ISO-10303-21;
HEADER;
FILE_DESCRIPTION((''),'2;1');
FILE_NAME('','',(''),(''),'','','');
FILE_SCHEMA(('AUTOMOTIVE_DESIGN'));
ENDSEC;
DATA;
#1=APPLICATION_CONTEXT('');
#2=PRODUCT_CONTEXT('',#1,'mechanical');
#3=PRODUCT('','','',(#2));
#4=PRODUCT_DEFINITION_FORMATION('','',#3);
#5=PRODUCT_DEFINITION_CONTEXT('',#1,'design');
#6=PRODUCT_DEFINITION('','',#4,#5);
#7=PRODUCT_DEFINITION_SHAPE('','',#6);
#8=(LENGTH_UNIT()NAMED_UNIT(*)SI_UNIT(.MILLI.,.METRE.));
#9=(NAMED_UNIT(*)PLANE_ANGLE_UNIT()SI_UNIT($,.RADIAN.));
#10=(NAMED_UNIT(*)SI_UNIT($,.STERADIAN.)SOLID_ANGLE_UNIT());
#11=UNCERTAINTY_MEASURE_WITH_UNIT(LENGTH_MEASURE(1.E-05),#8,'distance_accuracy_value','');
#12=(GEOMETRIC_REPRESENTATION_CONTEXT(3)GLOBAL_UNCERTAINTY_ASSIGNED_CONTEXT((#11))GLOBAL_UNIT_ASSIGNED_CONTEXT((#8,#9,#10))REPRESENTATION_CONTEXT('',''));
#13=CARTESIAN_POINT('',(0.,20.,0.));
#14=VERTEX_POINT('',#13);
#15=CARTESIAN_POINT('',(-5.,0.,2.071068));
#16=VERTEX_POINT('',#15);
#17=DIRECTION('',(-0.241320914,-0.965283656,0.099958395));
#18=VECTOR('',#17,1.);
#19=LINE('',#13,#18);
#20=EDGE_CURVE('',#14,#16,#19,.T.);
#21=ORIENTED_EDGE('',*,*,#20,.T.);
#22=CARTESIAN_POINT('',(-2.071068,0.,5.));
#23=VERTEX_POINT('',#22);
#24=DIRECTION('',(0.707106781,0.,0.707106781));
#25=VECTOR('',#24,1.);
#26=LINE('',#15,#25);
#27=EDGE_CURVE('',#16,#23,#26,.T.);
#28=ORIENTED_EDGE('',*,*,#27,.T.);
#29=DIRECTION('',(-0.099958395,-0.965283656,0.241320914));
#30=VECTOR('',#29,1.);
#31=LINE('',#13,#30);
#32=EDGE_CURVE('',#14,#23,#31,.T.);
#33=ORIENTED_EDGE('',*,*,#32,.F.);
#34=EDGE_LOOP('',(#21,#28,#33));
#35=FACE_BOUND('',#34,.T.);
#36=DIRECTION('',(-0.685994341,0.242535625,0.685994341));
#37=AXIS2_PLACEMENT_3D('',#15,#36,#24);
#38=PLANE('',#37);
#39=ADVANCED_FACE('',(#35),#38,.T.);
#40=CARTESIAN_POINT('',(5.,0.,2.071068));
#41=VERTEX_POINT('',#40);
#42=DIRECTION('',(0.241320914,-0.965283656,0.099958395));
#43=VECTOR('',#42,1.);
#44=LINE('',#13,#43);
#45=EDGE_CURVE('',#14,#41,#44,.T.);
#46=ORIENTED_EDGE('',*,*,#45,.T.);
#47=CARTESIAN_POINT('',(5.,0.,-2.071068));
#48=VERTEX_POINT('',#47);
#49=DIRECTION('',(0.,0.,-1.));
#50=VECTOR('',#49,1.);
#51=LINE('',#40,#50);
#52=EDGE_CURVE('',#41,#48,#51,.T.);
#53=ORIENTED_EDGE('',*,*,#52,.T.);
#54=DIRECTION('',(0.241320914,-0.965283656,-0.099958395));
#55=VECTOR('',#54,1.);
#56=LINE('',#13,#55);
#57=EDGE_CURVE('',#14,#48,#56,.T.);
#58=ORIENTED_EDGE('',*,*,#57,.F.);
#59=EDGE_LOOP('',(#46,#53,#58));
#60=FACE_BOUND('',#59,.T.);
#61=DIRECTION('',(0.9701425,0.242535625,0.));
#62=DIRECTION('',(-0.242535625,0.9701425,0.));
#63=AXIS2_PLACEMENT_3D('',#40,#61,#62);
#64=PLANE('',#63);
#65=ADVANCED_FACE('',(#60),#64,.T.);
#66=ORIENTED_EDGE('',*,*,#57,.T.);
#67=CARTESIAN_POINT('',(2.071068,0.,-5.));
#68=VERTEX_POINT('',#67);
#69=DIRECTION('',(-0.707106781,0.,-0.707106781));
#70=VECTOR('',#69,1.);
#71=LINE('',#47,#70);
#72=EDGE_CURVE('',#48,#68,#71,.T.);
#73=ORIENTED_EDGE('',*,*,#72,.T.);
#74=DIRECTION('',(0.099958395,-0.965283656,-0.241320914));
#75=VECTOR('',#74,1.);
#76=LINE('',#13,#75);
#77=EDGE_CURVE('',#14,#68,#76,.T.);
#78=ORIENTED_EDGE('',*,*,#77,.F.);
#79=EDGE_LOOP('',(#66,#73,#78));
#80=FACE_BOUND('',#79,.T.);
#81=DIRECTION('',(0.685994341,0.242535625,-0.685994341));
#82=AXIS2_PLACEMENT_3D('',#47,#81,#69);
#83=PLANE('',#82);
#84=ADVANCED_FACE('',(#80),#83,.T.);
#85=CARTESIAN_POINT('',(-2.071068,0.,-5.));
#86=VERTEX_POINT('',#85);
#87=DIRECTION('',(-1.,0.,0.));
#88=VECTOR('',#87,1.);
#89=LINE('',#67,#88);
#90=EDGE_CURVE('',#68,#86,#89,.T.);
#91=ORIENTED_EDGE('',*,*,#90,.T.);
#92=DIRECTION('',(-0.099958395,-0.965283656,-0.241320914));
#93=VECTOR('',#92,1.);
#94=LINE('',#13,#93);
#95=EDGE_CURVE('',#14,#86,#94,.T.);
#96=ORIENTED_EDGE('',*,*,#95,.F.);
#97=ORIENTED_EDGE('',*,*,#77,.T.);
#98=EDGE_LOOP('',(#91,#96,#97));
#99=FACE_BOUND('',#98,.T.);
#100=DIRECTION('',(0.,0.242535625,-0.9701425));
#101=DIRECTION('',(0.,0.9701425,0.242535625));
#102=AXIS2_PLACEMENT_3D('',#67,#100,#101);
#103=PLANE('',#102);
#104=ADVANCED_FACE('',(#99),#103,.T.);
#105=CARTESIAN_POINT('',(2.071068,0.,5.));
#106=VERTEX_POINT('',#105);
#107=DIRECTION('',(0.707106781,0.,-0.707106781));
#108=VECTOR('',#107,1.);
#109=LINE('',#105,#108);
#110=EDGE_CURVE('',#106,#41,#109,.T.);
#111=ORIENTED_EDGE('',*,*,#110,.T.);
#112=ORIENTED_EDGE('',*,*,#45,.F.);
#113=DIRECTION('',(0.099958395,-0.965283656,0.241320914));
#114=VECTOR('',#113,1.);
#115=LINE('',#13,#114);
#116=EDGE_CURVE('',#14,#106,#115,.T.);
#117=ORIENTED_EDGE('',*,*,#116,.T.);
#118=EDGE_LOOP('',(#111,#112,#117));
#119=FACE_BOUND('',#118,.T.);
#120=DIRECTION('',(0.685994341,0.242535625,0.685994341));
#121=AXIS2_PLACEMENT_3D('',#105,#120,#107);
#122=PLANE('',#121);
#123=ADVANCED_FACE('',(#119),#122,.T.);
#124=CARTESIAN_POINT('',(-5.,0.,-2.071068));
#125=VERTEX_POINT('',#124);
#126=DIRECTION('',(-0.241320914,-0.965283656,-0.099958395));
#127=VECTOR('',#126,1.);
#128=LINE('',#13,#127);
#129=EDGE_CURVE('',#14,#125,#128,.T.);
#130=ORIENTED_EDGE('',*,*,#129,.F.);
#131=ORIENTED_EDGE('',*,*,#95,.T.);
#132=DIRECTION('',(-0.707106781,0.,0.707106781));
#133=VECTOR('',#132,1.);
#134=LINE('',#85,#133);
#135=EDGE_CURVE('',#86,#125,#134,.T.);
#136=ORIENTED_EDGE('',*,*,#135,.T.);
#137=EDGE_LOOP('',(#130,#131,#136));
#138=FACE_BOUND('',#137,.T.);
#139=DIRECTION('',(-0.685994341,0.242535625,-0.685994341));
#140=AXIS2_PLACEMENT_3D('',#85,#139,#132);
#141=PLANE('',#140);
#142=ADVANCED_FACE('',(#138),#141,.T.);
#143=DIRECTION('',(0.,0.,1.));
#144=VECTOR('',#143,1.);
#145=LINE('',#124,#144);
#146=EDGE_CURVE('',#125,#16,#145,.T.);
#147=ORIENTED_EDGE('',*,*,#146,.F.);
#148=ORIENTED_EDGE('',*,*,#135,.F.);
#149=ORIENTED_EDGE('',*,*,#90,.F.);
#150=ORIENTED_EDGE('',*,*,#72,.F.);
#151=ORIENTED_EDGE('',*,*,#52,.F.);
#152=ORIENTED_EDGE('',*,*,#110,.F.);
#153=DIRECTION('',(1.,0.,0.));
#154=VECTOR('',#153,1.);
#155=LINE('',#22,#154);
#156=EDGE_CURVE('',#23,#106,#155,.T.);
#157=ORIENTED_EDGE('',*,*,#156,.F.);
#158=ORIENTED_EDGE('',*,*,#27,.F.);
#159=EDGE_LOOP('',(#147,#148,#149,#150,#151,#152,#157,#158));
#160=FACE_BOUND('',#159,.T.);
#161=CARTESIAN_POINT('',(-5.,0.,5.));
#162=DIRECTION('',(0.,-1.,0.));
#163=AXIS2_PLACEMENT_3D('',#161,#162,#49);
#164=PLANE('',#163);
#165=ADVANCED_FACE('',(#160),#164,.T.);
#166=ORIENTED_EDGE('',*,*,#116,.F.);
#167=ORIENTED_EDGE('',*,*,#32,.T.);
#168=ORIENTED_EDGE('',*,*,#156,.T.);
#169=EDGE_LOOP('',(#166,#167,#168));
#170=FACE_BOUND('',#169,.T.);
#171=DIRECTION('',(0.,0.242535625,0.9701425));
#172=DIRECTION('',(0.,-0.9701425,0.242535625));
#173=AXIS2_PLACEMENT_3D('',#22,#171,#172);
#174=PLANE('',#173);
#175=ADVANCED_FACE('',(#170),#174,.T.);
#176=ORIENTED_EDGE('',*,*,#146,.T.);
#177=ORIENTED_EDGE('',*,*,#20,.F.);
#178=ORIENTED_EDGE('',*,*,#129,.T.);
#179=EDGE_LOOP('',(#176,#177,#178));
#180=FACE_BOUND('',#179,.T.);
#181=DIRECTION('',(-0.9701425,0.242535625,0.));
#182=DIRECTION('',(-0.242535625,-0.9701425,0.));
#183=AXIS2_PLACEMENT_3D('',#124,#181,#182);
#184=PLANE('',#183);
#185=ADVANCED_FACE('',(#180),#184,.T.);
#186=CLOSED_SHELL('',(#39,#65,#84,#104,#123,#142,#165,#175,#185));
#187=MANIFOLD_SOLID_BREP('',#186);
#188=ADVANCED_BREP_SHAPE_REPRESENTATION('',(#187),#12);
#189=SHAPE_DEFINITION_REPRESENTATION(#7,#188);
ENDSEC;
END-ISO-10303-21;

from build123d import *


with BuildPart() as part:
    # Sketch1 → Loft1 section 0
    with BuildSketch(Plane(origin=(0, 0, 0), x_dir=(1, 0, 0), z_dir=(0, 1, 0)), mode=Mode.PRIVATE) as loft1_s0:
        Polygon((2.071067812, -5), (5, -2.071067812), (5, 2.071067812), (2.071067812, 5), (-2.071067812, 5), (-5, 2.071067812), (-5, -2.071067812), (-2.071067812, -5), align=None)
    loft([Vertex(0, 20, 0), loft1_s0.sketch])


solid = part.part
